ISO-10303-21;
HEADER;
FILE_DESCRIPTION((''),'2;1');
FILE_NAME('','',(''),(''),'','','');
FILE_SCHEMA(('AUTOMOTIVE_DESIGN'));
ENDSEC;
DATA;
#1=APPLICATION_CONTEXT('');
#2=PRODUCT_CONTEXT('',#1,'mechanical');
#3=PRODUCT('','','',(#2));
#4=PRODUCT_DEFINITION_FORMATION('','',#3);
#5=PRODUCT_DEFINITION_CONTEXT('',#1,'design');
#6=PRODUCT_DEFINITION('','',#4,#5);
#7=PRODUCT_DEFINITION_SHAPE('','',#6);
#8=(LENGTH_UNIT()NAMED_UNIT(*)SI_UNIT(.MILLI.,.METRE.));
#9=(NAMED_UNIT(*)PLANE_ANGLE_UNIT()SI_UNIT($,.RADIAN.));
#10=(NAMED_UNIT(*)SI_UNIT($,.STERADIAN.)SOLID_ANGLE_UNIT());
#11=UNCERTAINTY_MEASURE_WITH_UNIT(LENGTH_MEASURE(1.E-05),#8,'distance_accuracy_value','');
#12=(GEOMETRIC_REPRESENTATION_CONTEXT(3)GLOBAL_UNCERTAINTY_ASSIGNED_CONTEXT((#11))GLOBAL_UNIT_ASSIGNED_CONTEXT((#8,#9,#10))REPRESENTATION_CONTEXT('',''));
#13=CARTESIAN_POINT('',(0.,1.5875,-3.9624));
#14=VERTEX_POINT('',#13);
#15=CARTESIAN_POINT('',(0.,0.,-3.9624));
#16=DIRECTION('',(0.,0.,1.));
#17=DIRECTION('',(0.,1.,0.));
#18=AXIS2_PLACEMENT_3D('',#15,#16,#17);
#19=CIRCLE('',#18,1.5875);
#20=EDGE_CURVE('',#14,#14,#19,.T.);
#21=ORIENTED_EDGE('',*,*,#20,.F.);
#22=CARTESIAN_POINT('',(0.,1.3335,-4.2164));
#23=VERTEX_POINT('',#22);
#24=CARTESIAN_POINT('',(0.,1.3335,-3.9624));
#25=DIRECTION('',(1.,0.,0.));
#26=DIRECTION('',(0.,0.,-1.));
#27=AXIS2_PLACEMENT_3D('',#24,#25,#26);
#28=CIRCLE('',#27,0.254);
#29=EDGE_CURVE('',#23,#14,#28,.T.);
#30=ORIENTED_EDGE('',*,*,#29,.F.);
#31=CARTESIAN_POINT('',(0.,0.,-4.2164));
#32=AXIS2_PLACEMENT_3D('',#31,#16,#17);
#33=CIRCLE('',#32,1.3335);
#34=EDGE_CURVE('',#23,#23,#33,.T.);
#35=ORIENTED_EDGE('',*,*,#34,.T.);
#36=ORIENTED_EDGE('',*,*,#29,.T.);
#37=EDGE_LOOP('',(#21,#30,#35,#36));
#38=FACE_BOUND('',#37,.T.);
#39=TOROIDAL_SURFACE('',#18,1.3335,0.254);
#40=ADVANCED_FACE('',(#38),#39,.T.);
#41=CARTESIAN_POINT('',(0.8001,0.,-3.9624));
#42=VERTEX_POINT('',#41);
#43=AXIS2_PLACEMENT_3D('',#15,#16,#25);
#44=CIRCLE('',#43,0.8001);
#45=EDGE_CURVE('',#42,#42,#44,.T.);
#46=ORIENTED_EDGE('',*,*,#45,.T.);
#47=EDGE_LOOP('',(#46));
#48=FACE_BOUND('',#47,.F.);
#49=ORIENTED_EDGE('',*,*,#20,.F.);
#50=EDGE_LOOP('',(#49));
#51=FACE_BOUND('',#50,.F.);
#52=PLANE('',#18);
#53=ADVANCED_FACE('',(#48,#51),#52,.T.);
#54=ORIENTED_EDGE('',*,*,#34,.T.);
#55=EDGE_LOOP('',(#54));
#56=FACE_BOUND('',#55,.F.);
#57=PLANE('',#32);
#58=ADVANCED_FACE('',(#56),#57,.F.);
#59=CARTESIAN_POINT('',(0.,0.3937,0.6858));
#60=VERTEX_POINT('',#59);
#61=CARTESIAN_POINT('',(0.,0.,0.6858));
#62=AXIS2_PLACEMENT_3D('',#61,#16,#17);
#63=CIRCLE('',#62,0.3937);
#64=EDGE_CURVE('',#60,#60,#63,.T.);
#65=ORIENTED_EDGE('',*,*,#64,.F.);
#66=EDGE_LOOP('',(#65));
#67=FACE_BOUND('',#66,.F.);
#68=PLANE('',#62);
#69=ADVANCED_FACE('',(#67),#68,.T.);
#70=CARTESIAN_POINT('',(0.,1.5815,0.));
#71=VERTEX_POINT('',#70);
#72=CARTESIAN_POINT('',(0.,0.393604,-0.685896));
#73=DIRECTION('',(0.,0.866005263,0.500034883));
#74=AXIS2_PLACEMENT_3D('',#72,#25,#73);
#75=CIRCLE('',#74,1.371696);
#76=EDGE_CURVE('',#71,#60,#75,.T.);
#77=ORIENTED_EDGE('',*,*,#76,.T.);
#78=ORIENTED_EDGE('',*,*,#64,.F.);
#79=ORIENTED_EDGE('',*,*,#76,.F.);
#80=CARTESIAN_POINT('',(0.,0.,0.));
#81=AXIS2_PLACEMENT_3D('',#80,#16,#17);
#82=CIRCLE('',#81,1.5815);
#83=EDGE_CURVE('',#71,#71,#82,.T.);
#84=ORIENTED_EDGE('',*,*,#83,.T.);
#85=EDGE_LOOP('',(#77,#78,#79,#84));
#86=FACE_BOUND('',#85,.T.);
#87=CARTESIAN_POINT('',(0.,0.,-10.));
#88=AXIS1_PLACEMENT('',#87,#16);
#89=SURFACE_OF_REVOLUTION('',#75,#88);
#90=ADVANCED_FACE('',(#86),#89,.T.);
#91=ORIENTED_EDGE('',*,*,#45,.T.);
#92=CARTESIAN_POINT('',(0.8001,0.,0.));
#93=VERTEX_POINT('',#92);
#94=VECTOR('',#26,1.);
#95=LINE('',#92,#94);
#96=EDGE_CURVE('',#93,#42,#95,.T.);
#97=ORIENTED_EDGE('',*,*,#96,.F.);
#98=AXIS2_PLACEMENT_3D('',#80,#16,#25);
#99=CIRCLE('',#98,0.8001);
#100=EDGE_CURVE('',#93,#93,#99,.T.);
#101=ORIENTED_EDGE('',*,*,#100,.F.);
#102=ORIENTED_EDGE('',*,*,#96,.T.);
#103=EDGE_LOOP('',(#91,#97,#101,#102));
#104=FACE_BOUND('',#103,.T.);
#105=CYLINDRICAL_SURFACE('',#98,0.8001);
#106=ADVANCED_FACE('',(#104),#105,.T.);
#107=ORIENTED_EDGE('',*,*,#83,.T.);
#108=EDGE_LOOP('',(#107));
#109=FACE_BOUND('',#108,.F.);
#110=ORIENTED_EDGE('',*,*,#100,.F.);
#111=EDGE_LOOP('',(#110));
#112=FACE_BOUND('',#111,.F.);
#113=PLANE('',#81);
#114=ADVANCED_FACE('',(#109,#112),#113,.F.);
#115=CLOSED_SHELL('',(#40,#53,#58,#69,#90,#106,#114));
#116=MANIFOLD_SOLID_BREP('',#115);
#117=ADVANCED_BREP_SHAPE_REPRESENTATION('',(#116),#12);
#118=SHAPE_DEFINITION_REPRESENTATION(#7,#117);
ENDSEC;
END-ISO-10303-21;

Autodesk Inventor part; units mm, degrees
ref_plane "YZ Plane" through (0, 0, 0) normal (1, 0, 0) x (0, 1, 0)
ref_plane "XZ Plane" through (0, 0, 0) normal (0, 1, 0) x (-1, 0, 0)
ref_plane "XY Plane" through (0, 0, 0) normal (0, 0, 1) x (1, 0, 0)
sketch "Sketch1" plane through (0, 0, 0) normal (0, 0, 1) x (1, 0, 0)
  circle A0 centre (0, 0) radius 0.8001
  dimension "d0" = 1.6002
extrude "Body" add sketch "Sketch1" against normal blind 3.9624
sketch "Sketch2" plane through (0, 0, 0) normal (1, 0, 0) x (0, 1, 0)
  line L0 (-0.328, 0) -> (1.9681, 0) construction
  line L1 (0, -6.8275) -> (0, -3.4849) construction
  line L2 (0, -3.9624) -> (1.5875, -3.9624)
  line L3 (1.5875, -3.9624) -> (1.5875, -3.9624)
  line L4 (1.3335, -4.2164) -> (0, -4.2164)
  line L5 (0, -4.2164) -> (0, -3.9624)
  arc A0 (1.3335, -4.2164) -> (1.5875, -3.9624) centre (1.3335, -3.9624) ccw
  point P0 (1.5875, -4.2164)
  point P1 (0, -6.35)
  dimension "d3" = 3.9624
  dimension "d4" = 3.175
  dimension "d5" = 0.254
  dimension "d6" = 0.254
  dimension "d11" = 6.35
revolve "Deformation" add sketch "Sketch2" angle 360 about axis through (0, 0, -10) along (0, 0, 1)
sketch "Sketch4" plane through (0, 0, 0) normal (1, 0, 0) x (0, 1, 0)
  line L0 (-0.3175, 0) -> (1.905, 0) construction
  line L1 (0, -4.7549) -> (0, 0.7925) projected
  line L2 (0, 0) -> (1.5875, 0)
  line L3 (1.5875, 0) -> (1.5875, -0.1016)
  line L4 (1.5875, -0.1016) -> (0.8001, -0.7623)
  line L5 (0.8001, -0.7623) -> (0, -0.7623)
  line L6 (0.8001, 0) -> (0.8001, -3.9624) construction
  dimension "d12" = 3.175
  dimension "d13" = 0.1016
  dimension "d14" = 50
  dimension "d22" = 0.6607
revolve "CSink Head" [suppressed]
sketch "Sketch5" plane through (0, 0, 0) normal (1, 0, 0) x (0, 1, 0)
  line L0 (0, -0.9919) -> (0, 1.1511) projected
  line L1 (-0.3347, 0) -> (2.0081, 0) construction
  line L2 (0, 0.6858) -> (0.3937, 0.6858)
  arc A0 (1.5815, 0) -> (0.3937, 0.6858) centre (0.3937, -0.6858) ccw
  line L3 (1.5815, 0) -> (0, 0)
  dimension "d16" = 0.7874
  dimension "d17" = 1.3716
  dimension "d18" = 0.3937
  dimension "d19" = 0.6858
revolve "Universal Head" add sketch "Sketch5" angle 360 about axis through (0, 0, -10) along (0, 0, 1)
equation "\"d0\" = Dim_D"
equation "\"d1\" = Engage_Length"
equation "\"d3\" = Engage_Length"
equation "\"d4\" = Dim_A"
equation "\"d5\" = 0.5 * Dim_T"
equation "\"d6\" = d5"
equation "\"d11\" = Length"
equation "\"d12\" = Dim_A"
equation "\"d13\" = Dim_E_CSink"
equation "\"d16\" = Dim_E_Univ"
equation "\"d17\" = Dim_R"
equation "\"d19\" = Dim_C"
equation "\"Dim_A\" = 3.175"
equation "\"Dim_B\" = 2.3876"
equation "\"Dim_C_CSink\" = Dim_B"
equation "\"Dim_D\" = 1.6002"
equation "\"Dim_E_CSink\" = 0.1016"
equation "\"Dim_S\" = 0.5842"
equation "\"Dim_T\" = 0.508"
equation "\"Engage_Length\" = Length - Dim_C_CSink"
equation "\"Length\" = 6.35"
equation "\"Dim_E_Univ\" = 0.7874"
equation "\"Dim_F\" = 0.5842"
equation "\"Dim_R\" = 1.3716"
equation "\"Dim_C\" = 0.6858"
properties part number "MS20470 A 2-4" material "Aluminum-6061"
